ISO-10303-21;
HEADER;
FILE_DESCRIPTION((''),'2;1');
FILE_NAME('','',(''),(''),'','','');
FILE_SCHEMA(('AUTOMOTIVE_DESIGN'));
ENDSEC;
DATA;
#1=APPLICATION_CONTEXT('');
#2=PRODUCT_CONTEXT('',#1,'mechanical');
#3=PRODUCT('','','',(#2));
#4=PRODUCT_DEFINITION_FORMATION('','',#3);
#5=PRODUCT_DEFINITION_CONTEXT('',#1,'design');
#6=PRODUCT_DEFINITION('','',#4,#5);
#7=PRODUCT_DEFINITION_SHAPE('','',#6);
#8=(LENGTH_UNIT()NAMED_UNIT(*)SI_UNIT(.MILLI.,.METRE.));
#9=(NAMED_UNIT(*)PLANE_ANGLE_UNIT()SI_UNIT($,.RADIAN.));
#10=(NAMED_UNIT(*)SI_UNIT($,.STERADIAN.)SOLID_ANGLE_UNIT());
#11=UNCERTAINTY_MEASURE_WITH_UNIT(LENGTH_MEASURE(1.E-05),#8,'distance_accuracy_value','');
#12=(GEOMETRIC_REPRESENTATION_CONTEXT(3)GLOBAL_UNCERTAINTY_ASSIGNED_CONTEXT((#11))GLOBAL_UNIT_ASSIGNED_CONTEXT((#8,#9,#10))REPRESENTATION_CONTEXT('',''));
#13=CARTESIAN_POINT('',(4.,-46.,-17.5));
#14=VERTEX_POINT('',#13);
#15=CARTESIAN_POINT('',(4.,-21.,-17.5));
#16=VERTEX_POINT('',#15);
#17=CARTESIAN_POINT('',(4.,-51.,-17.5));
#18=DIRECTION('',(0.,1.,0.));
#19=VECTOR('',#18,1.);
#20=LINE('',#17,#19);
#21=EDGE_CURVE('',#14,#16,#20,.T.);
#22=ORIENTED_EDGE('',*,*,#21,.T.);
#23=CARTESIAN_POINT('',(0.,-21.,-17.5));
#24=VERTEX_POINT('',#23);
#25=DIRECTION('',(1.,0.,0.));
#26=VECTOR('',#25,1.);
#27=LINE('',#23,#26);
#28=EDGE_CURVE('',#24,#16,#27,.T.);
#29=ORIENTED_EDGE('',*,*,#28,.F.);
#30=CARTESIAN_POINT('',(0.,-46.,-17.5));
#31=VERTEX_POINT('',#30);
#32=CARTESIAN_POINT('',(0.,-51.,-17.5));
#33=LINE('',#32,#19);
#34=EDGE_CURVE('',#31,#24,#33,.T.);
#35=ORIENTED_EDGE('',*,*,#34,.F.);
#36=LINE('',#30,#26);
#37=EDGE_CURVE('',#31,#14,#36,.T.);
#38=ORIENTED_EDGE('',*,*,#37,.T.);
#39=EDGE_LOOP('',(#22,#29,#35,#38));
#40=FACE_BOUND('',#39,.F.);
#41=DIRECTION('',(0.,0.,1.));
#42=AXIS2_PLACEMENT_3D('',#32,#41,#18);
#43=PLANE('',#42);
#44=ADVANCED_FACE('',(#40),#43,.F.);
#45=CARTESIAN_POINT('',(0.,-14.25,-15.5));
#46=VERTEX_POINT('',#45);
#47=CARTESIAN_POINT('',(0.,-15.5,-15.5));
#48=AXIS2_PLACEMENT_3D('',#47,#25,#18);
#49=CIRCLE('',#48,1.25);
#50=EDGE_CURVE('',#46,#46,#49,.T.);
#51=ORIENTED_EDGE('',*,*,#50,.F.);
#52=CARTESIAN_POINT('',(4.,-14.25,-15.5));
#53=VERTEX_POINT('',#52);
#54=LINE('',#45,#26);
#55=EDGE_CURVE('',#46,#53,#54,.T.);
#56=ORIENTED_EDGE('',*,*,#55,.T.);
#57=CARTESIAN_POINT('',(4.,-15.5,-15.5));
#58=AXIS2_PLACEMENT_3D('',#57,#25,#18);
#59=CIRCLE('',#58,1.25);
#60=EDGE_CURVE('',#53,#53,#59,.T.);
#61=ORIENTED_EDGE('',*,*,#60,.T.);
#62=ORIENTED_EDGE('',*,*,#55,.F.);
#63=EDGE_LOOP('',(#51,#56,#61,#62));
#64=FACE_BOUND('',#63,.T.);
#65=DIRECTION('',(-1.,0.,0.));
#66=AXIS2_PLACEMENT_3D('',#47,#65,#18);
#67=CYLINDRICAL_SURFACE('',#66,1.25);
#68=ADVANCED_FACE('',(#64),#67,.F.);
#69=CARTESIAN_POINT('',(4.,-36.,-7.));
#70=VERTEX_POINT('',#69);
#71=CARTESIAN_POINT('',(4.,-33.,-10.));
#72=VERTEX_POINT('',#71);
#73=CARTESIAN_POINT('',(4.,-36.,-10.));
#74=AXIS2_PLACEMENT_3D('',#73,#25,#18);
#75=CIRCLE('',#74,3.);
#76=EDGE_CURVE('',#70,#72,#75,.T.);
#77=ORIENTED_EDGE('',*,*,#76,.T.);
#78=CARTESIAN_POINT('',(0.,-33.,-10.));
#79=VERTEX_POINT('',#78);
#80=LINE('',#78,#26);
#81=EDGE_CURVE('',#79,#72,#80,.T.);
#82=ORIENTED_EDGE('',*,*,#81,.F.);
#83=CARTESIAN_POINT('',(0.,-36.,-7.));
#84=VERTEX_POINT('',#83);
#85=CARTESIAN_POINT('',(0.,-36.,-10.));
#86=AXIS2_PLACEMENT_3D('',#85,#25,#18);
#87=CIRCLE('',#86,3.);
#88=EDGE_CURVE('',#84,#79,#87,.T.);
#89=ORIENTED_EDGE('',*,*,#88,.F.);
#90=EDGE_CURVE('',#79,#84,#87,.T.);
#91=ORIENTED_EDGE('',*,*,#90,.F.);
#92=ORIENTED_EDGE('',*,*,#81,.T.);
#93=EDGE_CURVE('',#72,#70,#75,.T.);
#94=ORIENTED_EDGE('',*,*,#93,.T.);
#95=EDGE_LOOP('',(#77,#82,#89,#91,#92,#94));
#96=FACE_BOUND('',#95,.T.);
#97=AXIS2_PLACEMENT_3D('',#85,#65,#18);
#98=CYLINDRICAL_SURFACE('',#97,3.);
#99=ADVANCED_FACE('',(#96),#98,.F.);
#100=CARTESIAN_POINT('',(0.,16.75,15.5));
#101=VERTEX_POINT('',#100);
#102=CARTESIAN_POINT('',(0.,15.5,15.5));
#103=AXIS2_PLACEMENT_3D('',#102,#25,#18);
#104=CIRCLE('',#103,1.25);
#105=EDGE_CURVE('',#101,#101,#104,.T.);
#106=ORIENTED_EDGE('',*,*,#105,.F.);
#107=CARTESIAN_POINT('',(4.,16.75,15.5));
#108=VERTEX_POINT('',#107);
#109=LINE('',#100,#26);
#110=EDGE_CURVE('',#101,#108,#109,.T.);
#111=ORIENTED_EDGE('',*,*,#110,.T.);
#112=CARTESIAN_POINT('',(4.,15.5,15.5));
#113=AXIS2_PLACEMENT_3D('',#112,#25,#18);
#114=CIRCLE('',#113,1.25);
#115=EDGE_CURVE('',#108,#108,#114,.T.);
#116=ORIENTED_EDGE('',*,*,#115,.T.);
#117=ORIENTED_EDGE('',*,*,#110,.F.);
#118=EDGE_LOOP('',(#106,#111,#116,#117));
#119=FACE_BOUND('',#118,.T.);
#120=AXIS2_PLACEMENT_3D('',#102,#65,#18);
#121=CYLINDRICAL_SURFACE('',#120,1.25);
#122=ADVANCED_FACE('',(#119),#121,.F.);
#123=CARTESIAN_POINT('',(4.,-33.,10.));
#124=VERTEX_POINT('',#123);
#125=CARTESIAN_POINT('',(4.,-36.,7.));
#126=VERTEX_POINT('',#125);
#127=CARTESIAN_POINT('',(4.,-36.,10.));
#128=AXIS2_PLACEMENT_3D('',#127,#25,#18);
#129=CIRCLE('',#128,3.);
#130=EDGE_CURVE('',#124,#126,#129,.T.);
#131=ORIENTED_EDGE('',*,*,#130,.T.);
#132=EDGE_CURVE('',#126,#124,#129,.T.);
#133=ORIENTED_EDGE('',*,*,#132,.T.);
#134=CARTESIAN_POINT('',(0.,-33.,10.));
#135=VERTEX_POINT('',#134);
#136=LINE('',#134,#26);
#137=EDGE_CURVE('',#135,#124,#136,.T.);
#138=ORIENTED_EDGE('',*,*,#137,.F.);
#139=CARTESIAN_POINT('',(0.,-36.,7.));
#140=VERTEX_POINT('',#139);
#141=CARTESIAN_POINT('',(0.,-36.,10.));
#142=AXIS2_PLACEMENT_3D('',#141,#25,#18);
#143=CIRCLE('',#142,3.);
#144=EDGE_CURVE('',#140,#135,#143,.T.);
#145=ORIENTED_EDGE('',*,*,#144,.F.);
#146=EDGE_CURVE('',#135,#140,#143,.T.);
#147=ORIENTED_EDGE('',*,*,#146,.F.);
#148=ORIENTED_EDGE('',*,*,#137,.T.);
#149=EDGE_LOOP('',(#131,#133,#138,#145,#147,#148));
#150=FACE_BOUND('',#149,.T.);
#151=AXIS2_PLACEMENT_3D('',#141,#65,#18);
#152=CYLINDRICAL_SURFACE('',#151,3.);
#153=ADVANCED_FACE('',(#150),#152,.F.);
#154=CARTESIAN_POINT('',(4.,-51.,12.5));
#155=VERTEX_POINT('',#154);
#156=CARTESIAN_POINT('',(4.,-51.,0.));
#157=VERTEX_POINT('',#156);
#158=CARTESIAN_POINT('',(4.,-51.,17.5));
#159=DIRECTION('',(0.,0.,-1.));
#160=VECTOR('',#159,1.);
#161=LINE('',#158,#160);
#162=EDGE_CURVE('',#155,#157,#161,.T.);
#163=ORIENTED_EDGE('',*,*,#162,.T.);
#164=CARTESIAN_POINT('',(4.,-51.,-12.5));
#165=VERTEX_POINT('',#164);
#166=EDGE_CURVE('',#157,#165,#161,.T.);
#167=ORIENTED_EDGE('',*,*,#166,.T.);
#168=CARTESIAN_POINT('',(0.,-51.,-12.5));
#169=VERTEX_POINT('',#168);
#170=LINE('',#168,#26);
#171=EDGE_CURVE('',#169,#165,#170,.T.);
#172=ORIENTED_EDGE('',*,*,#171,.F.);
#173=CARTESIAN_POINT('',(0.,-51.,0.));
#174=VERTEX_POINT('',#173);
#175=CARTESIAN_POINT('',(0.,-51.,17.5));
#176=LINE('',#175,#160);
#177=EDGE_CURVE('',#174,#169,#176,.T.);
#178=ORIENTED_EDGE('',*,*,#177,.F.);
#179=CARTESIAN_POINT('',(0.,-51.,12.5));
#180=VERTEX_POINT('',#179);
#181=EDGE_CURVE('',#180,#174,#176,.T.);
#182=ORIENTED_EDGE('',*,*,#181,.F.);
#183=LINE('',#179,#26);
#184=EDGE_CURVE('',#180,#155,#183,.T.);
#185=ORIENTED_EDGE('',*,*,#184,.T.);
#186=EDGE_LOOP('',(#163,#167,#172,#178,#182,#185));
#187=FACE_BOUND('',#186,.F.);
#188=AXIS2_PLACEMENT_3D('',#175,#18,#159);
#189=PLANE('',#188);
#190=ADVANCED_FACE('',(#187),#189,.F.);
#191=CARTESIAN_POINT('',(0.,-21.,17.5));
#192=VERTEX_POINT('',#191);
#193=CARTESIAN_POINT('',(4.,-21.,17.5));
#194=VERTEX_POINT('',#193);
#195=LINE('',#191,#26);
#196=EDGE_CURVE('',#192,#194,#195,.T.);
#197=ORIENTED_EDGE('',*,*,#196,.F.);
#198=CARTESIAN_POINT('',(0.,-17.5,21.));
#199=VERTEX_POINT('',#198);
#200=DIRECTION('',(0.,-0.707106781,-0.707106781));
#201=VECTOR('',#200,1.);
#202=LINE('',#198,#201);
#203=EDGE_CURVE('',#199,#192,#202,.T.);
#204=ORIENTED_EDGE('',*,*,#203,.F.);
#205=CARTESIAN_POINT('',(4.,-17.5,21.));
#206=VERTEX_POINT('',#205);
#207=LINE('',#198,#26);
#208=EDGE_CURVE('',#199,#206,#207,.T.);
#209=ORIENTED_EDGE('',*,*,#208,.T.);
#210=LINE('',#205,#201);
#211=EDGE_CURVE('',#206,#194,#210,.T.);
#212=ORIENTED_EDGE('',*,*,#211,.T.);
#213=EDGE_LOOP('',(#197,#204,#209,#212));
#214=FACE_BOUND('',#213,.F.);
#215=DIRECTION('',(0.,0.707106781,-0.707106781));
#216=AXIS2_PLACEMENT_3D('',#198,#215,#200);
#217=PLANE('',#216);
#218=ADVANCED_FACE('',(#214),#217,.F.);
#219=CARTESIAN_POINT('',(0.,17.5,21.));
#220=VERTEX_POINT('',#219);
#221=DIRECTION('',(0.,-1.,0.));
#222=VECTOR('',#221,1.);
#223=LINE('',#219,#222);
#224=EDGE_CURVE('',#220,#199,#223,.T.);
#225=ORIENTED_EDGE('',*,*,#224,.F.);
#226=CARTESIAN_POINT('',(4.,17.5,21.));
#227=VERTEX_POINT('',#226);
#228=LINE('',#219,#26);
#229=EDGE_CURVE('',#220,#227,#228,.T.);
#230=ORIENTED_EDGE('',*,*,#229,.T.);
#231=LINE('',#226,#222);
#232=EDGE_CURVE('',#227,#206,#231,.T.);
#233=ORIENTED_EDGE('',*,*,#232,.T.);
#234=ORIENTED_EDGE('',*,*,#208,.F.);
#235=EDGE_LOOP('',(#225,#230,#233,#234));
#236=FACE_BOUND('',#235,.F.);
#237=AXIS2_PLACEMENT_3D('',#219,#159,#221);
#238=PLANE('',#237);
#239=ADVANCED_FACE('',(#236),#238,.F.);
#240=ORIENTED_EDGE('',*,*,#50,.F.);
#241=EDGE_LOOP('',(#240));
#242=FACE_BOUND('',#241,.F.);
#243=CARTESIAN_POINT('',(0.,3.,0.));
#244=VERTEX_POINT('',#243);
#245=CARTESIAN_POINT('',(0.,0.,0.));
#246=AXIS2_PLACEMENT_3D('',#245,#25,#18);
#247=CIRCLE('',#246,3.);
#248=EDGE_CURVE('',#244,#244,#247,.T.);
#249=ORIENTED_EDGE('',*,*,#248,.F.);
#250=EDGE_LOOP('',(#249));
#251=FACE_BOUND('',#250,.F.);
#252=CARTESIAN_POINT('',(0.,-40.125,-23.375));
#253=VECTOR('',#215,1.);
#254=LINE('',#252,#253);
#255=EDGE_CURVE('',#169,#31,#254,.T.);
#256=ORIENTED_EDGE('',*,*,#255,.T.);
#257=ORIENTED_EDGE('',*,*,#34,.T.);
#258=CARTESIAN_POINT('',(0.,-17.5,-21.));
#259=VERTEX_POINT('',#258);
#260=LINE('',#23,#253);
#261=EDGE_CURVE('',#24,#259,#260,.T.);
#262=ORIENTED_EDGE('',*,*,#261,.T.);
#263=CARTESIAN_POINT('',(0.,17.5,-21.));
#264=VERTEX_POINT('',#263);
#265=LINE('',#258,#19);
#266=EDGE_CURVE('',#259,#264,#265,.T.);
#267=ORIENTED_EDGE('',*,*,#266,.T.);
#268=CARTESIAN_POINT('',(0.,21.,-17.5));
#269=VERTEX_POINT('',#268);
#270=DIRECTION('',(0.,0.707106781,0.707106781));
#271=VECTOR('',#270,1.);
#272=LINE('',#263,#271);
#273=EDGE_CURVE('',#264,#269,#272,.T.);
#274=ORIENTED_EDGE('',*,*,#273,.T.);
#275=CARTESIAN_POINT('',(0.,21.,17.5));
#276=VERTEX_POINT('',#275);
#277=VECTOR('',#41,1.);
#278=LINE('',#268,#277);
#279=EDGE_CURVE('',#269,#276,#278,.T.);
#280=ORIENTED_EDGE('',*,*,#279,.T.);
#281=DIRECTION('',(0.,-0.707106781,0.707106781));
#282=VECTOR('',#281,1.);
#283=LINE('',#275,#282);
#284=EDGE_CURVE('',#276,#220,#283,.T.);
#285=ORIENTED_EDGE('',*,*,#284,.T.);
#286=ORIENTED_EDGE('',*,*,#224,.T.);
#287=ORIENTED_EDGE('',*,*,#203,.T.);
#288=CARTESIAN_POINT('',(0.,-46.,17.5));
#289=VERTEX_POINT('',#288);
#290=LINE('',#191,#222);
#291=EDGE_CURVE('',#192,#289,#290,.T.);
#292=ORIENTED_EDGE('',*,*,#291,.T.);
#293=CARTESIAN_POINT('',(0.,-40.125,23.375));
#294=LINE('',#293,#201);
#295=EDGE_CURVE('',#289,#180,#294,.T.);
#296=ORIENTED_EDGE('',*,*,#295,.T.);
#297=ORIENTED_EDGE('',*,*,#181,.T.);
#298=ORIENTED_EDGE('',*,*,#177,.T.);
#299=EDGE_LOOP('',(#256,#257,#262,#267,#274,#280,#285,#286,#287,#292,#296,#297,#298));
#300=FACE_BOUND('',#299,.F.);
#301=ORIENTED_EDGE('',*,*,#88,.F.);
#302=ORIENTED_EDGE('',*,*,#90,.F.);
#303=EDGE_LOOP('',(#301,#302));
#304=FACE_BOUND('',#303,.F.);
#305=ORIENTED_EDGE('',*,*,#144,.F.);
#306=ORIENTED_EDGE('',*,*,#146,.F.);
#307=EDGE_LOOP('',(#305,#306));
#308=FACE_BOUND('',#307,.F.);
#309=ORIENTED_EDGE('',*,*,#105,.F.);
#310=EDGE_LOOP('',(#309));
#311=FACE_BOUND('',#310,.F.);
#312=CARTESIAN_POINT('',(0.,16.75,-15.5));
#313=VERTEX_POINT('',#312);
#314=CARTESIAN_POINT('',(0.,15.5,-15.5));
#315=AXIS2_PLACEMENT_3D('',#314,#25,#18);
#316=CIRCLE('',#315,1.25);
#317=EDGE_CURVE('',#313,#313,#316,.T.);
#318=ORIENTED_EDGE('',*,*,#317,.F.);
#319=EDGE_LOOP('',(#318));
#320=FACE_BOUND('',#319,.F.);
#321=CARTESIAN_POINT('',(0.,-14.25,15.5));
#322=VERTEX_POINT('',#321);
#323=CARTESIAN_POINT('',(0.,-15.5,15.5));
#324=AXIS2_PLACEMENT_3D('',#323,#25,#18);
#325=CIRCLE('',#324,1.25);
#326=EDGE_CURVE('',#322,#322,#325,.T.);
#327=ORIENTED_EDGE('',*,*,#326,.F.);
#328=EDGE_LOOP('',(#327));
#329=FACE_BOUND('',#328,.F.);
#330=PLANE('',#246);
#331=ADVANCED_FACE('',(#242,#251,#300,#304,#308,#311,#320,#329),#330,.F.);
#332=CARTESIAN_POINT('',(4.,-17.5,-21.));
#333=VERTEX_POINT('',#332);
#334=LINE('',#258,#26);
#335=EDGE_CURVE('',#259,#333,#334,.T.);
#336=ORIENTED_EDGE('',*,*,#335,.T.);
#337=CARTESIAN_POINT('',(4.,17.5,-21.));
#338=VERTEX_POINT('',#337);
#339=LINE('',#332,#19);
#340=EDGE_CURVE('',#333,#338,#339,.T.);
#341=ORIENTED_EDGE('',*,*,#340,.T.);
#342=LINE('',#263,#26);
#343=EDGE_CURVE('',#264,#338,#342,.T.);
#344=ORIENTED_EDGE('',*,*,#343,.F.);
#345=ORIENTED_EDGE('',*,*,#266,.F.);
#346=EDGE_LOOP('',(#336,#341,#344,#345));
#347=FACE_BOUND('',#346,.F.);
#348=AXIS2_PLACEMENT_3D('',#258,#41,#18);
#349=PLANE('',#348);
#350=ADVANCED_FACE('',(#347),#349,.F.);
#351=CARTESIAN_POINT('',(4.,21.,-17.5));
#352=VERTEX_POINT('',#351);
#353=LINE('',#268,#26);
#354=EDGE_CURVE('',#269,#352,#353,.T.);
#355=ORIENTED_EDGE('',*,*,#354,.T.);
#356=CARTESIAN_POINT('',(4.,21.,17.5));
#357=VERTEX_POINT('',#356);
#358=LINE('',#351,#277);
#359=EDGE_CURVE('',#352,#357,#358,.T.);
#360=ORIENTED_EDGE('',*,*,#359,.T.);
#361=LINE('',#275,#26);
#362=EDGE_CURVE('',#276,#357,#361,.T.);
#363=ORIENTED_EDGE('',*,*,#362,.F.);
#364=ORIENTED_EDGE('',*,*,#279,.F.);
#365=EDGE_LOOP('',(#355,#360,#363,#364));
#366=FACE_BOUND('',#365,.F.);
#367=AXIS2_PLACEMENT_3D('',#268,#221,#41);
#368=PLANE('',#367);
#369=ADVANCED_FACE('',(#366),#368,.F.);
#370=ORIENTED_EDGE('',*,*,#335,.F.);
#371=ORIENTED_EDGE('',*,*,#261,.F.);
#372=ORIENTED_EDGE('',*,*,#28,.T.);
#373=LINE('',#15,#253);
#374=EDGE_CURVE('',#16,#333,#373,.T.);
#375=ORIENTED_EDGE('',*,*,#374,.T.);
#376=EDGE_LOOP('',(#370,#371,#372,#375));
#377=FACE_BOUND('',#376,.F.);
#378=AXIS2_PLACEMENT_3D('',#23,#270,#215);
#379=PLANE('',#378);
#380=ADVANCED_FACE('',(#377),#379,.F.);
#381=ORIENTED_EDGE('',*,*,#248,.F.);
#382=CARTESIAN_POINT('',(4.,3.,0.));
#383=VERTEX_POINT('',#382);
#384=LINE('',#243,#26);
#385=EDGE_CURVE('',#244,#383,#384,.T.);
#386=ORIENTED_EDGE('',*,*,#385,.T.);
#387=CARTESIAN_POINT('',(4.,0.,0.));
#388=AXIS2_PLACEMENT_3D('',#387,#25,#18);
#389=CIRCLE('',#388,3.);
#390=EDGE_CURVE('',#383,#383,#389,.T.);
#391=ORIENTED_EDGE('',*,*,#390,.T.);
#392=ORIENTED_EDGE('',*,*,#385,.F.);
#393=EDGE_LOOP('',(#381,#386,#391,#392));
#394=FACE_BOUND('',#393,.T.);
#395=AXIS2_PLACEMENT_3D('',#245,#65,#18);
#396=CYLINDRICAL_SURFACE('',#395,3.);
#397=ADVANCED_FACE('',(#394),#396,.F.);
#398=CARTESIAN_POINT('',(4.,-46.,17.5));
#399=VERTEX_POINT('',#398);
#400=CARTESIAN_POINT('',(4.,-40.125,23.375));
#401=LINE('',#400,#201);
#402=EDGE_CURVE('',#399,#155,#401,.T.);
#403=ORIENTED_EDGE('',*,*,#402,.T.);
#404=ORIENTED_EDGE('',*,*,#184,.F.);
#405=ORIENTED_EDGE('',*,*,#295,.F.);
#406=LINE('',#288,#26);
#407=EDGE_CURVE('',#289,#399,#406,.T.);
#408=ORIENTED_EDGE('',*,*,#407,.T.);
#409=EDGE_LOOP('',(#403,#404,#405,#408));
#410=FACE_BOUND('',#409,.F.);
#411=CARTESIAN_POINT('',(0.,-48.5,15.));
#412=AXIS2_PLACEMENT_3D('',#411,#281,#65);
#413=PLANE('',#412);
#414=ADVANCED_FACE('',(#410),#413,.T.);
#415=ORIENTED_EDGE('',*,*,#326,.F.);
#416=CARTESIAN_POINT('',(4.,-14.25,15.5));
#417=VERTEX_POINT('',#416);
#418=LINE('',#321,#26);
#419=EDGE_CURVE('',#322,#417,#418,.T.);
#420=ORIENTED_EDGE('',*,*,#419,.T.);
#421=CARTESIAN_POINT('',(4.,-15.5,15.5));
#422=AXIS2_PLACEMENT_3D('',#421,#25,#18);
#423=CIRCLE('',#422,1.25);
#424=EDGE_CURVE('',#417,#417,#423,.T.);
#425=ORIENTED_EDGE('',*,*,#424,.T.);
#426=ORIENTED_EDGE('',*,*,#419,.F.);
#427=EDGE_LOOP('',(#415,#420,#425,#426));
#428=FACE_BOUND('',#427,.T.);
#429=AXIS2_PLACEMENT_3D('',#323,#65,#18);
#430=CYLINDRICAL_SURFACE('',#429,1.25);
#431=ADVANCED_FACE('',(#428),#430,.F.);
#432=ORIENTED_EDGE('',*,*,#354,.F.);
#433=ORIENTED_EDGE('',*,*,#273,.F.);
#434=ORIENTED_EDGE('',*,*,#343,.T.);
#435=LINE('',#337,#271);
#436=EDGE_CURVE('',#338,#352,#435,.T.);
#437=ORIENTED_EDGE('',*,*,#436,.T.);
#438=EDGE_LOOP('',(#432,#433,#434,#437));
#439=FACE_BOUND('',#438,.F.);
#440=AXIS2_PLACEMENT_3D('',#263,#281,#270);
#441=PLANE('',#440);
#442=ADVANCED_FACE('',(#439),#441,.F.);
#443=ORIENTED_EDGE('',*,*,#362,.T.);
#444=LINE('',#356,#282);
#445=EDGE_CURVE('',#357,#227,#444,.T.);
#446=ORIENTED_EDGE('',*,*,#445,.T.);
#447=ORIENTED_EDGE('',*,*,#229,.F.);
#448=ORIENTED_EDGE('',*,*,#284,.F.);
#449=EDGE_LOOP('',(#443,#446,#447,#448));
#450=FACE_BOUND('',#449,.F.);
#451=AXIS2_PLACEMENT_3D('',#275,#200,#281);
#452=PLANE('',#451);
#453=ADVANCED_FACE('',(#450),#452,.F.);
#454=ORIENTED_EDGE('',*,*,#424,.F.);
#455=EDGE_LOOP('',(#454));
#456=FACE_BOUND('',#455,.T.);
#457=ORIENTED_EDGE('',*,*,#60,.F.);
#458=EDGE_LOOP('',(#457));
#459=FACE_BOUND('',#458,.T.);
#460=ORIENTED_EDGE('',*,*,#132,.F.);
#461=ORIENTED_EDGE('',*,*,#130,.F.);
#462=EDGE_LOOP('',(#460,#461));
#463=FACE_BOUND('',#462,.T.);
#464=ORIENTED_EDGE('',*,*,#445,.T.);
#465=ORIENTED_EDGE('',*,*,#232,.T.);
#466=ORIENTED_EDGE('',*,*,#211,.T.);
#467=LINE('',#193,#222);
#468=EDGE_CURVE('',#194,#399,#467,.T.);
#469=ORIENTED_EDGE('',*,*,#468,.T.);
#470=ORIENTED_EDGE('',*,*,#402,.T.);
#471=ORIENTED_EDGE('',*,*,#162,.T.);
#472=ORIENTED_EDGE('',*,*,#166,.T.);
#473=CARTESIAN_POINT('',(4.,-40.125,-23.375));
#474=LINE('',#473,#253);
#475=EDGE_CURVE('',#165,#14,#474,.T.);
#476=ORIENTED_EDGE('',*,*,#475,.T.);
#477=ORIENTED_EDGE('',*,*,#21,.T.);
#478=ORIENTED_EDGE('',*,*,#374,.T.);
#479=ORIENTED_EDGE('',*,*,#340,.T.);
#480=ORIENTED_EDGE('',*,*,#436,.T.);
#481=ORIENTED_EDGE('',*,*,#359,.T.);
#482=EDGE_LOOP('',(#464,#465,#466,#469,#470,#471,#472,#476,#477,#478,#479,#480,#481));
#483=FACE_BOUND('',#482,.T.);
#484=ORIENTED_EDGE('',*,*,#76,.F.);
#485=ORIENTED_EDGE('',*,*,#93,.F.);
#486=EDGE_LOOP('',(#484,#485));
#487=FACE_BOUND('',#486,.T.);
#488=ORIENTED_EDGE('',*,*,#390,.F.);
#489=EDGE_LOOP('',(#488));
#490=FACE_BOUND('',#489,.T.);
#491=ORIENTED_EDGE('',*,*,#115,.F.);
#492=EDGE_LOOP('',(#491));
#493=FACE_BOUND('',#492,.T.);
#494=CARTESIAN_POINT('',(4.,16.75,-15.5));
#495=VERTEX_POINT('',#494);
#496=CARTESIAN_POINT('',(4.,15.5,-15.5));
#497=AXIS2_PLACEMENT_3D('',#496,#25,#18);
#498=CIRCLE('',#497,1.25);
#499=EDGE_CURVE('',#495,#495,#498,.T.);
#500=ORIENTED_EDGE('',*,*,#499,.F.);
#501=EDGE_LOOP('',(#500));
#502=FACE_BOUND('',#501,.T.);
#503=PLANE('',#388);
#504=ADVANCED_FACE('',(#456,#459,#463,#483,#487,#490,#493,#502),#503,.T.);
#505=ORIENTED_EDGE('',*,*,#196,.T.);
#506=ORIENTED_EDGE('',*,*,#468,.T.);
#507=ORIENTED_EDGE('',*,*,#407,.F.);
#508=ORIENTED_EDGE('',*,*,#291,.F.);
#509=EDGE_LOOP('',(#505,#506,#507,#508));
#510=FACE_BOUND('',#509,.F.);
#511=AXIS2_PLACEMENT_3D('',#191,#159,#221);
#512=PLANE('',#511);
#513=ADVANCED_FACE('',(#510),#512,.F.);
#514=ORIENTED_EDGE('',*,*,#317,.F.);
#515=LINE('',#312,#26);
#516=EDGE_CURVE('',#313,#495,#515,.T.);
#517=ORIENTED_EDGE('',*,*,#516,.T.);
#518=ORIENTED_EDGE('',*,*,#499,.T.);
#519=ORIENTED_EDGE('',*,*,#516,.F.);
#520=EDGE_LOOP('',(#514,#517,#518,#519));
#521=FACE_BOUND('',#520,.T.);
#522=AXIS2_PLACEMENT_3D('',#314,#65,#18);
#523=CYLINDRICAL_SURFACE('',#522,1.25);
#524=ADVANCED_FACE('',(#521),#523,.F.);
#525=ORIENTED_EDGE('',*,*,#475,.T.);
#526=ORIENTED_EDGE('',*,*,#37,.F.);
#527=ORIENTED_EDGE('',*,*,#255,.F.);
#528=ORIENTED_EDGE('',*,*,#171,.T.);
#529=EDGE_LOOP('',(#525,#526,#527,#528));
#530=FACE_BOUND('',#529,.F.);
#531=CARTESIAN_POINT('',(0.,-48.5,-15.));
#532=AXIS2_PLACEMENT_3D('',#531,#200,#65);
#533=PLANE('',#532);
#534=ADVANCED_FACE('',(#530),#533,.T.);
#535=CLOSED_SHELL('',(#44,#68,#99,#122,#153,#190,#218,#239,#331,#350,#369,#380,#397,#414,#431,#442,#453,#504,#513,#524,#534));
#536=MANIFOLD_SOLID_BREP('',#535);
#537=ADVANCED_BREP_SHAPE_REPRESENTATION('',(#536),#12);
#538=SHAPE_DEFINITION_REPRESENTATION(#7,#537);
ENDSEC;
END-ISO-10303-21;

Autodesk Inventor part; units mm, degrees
ref_plane "YZ Plane" through (0, 0, 0) normal (1, 0, 0) x (0, 1, 0)
ref_plane "XZ Plane" through (0, 0, 0) normal (0, 1, 0) x (-1, 0, 0)
ref_plane "XY Plane" through (0, 0, 0) normal (0, 0, 1) x (1, 0, 0)
sketch "Эскиз1" plane through (0, 0, 0) normal (1, 0, 0) x (0, 1, 0)
  line L0 (-17.5, 21) -> (-21, 17.5)
  line L1 (-21, 17.5) -> (-21, -17.5)
  line L2 (-21, -17.5) -> (-17.5, -21)
  line L3 (-17.5, -21) -> (17.5, -21)
  line L4 (17.5, -21) -> (21, -17.5)
  line L5 (21, -17.5) -> (21, 17.5)
  line L6 (21, 17.5) -> (17.5, 21)
  line L7 (17.5, 21) -> (-17.5, 21)
  circle A0 centre (0, 0) radius 11.3
  circle A1 centre (-15.5, -15.5) radius 1.25
  circle A2 centre (15.5, -15.5) radius 1.25
  circle A3 centre (15.5, 15.5) radius 1.25
  circle A4 centre (-15.5, 15.5) radius 1.25
  line L8 (-21, 17.5) -> (-51, 17.5)
  line L9 (-51, 17.5) -> (-51, -17.5)
  line L10 (-51, -17.5) -> (-21, -17.5)
  line L11 (-21, -17.5) -> (-21, 17.5)
  line L12 (-51, 0) -> (-36, 0)
  line L13 (-36, 0) -> (-36, 10)
  line L14 (-36, 10) -> (-36, -10)
  circle A5 centre (-36, 10) radius 3
  circle A6 centre (-36, -10) radius 3
  circle A7 centre (0, 0) radius 3
  dimension "d0" = 30
  dimension "d1" = 15
  dimension "d2" = 10
  dimension "d3" = 20
  dimension "d4" = 6
  dimension "d5" = 6
  dimension "d6" = 6
extrude "Выдавливание1" add sketch "Эскиз1" along normal blind 4 contours L7 L6 L5 L4 L3 L2 L1 L0 | L1 L10 L9 L8 | A0
chamfer "Фаска1" distance 5 angle 45 2 edges at (2, -51, 17.5) (2, -51, -17.5)
properties part number "КВ33.044.002 - Держатель катка"
